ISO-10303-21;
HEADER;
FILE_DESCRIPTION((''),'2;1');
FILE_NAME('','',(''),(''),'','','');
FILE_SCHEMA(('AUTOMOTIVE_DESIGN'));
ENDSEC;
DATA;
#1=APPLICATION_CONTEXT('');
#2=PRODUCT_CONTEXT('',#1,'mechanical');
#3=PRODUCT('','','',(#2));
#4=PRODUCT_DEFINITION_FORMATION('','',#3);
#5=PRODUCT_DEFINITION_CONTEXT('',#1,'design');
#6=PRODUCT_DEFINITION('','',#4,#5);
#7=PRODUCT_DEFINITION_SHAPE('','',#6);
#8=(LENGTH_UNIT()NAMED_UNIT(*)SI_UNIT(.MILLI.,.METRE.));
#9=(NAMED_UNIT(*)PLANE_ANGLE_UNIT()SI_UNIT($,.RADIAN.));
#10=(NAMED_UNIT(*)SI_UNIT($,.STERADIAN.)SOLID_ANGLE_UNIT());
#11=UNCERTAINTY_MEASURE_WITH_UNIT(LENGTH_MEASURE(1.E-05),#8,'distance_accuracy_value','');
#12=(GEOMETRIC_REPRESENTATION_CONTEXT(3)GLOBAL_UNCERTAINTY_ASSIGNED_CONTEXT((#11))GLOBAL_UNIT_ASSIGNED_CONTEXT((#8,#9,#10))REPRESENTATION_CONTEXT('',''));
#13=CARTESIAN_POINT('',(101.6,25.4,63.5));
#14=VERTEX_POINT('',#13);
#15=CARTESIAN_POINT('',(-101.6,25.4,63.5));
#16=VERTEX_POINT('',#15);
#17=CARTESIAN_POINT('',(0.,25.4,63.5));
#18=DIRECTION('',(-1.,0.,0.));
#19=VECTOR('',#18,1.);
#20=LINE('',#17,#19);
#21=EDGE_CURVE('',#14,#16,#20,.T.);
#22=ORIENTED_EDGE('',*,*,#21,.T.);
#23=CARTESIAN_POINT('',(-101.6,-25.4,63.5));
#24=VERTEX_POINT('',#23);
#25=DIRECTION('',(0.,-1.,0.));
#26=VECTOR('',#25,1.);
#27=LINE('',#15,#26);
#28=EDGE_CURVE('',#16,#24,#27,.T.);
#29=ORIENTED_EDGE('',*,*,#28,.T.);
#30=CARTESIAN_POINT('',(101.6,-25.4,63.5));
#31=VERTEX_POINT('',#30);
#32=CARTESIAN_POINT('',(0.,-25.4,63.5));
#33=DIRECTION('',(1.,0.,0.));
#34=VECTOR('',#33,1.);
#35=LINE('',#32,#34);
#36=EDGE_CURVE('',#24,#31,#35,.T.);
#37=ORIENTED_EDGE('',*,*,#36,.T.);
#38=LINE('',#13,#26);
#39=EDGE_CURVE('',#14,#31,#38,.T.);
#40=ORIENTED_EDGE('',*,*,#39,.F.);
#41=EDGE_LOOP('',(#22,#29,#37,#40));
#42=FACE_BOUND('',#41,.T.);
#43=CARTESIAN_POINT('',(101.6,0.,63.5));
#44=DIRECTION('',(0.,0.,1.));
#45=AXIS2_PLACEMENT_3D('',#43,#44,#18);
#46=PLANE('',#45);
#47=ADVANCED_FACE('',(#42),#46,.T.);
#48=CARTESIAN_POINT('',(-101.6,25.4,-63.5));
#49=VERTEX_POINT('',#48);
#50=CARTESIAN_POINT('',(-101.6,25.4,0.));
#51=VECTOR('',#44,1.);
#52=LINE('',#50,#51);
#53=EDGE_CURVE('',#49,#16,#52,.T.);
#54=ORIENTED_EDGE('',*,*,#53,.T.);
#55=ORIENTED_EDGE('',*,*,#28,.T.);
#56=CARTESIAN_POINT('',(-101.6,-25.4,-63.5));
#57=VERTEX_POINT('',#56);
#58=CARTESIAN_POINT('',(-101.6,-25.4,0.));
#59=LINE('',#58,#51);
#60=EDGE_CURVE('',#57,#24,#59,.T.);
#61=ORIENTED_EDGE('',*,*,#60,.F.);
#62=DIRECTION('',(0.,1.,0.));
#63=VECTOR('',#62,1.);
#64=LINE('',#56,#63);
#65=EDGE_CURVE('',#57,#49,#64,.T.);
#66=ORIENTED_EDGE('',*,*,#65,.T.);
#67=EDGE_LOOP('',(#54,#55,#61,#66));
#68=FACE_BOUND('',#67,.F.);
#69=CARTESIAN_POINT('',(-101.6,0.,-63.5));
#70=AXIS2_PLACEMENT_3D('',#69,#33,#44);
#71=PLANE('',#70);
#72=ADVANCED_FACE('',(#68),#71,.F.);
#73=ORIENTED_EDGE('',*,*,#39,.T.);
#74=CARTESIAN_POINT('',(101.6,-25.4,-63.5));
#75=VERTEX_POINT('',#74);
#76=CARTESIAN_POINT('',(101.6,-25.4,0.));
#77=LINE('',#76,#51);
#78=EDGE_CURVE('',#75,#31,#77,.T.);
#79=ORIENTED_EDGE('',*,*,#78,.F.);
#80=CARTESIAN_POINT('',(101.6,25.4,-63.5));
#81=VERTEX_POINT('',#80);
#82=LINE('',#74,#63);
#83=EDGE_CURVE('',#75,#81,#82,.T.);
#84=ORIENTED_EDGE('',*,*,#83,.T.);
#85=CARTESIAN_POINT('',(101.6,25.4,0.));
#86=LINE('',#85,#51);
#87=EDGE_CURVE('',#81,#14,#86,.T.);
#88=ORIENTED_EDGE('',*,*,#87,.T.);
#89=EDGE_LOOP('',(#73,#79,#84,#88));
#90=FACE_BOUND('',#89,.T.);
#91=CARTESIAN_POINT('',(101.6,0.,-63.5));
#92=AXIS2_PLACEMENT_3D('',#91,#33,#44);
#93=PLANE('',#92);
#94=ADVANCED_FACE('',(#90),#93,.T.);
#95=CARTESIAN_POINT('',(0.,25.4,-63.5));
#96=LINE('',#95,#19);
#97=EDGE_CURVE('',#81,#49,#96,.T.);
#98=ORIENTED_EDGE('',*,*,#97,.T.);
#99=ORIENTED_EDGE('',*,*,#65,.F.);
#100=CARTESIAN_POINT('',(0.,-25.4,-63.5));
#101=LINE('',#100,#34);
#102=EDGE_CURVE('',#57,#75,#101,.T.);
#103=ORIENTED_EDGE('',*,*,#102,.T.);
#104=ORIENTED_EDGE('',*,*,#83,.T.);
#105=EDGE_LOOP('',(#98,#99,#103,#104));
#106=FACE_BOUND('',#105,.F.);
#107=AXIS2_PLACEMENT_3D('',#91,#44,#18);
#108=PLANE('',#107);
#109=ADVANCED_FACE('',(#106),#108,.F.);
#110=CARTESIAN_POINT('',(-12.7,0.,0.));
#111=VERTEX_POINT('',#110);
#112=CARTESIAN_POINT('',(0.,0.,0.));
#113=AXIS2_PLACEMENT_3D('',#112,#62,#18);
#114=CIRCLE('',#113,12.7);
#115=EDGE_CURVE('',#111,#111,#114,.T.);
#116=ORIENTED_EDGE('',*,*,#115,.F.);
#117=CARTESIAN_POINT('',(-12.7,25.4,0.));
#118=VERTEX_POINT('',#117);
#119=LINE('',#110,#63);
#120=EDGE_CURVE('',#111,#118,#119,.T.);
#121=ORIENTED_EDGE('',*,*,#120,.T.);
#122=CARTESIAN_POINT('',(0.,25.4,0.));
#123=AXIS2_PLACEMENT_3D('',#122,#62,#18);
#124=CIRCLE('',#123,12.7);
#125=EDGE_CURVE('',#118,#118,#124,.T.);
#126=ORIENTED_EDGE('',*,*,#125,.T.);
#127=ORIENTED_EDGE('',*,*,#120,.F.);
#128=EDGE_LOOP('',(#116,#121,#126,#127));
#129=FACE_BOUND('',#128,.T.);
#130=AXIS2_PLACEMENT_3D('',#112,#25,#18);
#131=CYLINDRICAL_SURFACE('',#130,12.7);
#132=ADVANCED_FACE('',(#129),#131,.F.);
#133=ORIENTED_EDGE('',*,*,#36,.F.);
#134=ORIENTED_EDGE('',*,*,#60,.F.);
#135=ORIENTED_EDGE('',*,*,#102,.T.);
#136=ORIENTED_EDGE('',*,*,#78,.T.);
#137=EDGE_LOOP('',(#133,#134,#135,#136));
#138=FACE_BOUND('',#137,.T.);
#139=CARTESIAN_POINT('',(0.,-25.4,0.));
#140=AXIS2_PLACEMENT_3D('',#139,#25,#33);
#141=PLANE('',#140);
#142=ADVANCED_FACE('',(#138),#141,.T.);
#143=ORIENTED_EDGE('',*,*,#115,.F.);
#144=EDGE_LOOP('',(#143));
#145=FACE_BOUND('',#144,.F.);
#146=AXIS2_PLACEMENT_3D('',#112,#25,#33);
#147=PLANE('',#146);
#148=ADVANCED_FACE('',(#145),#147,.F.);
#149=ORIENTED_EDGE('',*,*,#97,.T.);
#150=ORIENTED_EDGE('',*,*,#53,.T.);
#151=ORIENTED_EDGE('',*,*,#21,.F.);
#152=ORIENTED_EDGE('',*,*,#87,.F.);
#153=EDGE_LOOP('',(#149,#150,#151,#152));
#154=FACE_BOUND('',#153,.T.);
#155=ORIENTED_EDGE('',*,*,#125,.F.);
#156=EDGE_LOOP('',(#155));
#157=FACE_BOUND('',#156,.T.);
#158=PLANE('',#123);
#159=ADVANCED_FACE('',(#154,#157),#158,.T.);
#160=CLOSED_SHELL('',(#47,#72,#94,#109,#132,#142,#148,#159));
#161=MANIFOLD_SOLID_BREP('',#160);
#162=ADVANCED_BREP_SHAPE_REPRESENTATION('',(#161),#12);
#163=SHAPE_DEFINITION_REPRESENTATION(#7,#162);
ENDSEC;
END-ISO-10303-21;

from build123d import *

# Parameters (mm, degrees)
F0_W     = 203.2
F0_H     = 127
F1_DEPTH = 25.4
F2_W     = 203.2
F2_H     = 127
F2_R     = 12.7
F3_DEPTH = 25.4


with BuildPart() as f1:
    # F0 (on Front) → F1 (new body)
    with BuildSketch(Plane.XZ):
        Rectangle(F0_W, F0_H)
    extrude(amount=F1_DEPTH)

    # F2 (on face) → F3 (join)
    with BuildSketch(Plane(origin=(0, 0, 0), x_dir=(-1, 0, 0), z_dir=(0, 1, 0))):
        Rectangle(F2_W, F2_H)
        Circle(F2_R, mode=Mode.SUBTRACT)
    extrude(amount=F3_DEPTH)


solid = f1.part
